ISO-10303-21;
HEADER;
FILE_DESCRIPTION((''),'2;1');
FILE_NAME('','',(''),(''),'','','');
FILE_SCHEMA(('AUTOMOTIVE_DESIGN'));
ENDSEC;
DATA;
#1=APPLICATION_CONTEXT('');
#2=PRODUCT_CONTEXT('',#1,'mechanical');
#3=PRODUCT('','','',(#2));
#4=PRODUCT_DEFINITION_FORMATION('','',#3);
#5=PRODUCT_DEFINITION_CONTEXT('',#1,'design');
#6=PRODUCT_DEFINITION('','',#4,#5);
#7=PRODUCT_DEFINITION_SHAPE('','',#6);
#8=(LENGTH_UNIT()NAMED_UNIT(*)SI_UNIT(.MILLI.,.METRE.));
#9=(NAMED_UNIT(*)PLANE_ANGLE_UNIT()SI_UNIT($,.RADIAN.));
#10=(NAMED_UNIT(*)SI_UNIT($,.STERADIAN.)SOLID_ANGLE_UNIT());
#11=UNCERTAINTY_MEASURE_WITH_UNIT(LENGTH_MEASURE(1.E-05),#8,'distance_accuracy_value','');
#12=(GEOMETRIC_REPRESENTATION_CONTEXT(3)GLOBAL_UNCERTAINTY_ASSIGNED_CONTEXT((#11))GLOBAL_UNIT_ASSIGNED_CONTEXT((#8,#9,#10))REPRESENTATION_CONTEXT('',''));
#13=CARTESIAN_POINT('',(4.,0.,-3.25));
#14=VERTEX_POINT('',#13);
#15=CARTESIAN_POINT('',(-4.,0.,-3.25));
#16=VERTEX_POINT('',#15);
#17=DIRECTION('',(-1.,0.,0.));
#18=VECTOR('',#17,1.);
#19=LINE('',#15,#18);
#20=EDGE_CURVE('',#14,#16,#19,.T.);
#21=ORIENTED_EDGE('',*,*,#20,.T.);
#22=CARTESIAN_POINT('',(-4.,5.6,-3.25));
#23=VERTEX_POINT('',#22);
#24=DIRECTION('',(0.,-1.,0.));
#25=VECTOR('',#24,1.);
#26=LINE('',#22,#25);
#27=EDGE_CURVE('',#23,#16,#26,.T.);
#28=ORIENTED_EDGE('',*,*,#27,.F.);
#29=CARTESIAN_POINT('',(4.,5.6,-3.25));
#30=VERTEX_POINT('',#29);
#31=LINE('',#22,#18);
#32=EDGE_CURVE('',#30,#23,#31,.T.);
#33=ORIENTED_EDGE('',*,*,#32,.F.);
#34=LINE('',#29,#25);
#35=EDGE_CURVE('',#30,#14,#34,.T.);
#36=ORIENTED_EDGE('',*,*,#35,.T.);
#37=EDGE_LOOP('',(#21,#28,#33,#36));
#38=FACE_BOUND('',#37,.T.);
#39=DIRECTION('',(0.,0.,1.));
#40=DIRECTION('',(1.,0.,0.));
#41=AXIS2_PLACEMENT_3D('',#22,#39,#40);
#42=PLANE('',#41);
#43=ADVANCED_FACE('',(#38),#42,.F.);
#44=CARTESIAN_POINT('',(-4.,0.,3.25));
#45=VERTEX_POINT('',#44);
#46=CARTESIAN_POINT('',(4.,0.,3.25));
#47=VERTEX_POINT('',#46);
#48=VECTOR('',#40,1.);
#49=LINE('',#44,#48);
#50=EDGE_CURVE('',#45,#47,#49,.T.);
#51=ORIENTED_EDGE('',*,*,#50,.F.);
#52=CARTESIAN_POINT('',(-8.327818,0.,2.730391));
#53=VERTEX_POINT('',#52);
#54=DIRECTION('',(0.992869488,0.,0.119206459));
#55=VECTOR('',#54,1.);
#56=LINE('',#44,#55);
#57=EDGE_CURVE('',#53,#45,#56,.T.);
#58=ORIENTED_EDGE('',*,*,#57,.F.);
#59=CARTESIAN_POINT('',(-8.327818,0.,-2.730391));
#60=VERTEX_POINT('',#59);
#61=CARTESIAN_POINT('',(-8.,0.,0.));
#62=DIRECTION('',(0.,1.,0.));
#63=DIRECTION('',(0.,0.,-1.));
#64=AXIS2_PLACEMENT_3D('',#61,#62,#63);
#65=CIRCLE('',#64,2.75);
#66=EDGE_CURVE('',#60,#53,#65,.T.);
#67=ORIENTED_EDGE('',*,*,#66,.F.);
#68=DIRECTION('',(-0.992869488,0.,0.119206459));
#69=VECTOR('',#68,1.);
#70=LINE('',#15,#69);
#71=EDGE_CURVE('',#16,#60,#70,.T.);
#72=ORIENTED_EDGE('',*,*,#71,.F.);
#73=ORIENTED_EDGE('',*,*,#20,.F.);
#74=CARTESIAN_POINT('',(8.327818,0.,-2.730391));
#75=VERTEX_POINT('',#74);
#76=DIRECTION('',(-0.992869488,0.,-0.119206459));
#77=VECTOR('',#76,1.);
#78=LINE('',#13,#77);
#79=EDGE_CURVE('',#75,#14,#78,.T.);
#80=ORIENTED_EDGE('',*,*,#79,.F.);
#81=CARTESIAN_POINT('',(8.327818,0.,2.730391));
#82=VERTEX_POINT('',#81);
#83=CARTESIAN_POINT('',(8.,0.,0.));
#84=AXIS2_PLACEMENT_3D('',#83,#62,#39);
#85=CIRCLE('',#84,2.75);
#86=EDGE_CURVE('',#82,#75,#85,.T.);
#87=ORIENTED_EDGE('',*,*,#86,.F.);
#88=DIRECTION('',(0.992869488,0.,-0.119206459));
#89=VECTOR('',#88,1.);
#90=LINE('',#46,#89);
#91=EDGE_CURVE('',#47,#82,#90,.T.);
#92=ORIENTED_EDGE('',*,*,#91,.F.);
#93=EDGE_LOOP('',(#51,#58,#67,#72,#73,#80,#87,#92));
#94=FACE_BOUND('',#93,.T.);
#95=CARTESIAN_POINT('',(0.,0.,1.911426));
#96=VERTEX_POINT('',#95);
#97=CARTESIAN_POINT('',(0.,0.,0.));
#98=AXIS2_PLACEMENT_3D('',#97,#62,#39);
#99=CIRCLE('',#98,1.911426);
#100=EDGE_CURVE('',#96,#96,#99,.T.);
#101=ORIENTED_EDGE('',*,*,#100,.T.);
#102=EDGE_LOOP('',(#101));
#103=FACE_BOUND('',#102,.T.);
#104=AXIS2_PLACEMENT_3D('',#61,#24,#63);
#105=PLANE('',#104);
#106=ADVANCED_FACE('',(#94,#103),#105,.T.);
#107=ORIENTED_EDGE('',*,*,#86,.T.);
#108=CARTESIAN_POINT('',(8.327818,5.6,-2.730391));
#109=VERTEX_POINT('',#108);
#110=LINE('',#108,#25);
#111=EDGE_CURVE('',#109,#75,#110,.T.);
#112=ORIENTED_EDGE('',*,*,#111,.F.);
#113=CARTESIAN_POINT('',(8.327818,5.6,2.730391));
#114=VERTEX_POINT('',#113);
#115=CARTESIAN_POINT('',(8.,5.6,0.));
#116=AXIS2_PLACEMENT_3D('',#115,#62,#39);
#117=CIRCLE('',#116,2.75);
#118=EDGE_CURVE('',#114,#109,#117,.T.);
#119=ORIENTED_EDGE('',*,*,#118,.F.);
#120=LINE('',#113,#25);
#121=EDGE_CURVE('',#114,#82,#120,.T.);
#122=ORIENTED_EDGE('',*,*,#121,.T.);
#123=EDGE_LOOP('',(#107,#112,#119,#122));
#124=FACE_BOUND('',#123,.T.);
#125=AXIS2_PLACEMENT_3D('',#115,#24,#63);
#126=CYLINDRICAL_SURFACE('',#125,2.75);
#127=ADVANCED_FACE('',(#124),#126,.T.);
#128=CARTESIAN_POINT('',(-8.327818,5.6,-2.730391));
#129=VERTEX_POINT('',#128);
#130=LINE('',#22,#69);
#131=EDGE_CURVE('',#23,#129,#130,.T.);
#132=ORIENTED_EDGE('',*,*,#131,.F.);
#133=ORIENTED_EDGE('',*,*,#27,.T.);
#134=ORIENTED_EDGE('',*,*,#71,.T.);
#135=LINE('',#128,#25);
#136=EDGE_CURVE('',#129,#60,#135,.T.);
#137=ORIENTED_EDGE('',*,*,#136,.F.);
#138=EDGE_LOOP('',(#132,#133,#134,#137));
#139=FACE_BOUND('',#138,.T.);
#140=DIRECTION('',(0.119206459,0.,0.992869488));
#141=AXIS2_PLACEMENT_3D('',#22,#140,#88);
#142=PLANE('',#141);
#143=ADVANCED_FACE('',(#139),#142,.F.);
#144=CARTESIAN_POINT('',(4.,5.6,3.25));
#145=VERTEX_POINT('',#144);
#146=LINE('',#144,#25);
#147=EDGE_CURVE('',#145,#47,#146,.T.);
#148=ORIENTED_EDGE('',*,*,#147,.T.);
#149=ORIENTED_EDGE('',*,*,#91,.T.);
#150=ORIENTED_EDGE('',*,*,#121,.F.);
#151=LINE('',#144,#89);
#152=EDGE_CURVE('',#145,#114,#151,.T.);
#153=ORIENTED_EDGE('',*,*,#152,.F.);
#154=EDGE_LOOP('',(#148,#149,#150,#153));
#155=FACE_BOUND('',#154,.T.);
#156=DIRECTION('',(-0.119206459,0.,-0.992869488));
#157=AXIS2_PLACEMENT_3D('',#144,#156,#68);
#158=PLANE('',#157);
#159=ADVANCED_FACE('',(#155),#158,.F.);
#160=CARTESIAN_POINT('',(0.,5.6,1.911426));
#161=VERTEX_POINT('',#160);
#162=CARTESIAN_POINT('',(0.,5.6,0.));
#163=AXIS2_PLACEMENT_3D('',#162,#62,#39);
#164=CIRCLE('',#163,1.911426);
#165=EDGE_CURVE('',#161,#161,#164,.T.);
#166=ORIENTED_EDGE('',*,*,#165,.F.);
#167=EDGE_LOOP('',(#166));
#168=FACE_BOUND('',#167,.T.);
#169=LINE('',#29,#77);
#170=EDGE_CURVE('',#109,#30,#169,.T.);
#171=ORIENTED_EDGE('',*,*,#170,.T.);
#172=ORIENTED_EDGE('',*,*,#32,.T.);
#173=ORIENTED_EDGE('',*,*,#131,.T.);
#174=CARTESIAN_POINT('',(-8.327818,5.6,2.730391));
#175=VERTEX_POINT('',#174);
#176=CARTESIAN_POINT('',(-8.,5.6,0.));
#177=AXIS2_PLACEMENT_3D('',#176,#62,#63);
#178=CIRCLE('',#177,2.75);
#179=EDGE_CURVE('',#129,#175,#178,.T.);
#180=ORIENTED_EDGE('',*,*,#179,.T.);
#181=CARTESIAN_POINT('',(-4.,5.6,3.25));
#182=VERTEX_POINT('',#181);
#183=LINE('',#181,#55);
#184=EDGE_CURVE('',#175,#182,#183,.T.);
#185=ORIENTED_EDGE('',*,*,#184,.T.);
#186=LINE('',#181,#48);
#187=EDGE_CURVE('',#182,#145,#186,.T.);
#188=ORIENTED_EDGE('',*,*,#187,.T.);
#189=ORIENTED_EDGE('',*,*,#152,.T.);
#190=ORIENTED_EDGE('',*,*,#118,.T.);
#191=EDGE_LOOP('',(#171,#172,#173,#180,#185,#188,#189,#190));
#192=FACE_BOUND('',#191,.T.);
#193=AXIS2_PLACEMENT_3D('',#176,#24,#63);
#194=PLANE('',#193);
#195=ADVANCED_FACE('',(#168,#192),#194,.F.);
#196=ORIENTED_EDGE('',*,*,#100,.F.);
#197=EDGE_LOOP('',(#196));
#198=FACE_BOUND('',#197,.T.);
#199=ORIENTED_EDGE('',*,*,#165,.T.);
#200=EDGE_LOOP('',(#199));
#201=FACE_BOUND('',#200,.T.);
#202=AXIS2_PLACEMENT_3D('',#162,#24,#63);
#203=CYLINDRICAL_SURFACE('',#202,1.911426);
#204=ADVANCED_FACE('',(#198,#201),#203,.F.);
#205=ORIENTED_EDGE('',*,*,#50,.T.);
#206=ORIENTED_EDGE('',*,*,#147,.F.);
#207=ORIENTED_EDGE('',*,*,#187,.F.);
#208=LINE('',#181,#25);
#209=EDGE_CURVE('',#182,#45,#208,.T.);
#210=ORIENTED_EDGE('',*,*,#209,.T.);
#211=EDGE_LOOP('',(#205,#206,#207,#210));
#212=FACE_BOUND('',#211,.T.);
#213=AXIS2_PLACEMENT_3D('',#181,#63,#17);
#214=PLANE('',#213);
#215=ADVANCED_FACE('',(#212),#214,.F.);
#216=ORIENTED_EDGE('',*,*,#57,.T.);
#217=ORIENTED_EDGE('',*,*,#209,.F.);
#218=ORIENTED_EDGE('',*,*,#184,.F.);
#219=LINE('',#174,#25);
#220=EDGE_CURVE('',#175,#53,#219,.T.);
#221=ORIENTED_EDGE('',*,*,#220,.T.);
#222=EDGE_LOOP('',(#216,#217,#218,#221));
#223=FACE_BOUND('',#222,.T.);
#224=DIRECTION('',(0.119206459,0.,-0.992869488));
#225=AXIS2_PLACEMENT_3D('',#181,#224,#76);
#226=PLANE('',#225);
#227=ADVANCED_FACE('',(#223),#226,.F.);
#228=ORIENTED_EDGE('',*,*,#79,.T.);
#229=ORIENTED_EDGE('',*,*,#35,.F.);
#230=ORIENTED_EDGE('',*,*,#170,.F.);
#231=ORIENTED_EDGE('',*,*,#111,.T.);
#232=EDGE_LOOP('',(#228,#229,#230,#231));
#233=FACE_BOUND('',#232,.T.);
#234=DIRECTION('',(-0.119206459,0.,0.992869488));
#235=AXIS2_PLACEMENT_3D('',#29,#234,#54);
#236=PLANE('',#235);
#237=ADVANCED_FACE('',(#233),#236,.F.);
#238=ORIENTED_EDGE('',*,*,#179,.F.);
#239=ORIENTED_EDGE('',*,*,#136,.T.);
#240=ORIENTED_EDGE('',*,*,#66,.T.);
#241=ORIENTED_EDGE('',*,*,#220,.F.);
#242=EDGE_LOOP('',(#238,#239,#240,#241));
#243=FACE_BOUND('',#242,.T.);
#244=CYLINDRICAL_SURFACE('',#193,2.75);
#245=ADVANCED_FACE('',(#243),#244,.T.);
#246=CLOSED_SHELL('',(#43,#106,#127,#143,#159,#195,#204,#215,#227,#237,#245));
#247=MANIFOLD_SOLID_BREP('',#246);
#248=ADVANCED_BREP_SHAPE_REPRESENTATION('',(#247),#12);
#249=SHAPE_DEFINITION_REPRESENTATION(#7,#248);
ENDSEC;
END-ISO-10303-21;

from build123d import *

# Parameters (mm, degrees)
SKETCH4_R           = 1.911425658
BOSS_EXTRUDE1_DEPTH = 5.6


with BuildPart() as part:
    # Sketch4 → Boss-Extrude1 (new body)
    with BuildSketch(Plane(origin=(0, 0, 0), x_dir=(1, 0, 0), z_dir=(0, 1, 0))):
        with BuildLine():
            Line((-4, -3.25), (-8.327817762, -2.730391092))
            ThreePointArc((-8.327817762, -2.730391092), (-10.75, 0), (-8.327817762, 2.730391092))
            Line((-8.327817762, 2.730391092), (-4, 3.25))
            Line((-4, 3.25), (4, 3.25))
            Line((4, 3.25), (8.327817762, 2.730391092))
            ThreePointArc((8.327817762, 2.730391092), (10.75, 0), (8.327817762, -2.730391092))
            Line((8.327817762, -2.730391092), (4, -3.25))
            Line((4, -3.25), (-4, -3.25))
        make_face()
        Circle(SKETCH4_R, mode=Mode.SUBTRACT)
    extrude(amount=BOSS_EXTRUDE1_DEPTH)


solid = part.part
